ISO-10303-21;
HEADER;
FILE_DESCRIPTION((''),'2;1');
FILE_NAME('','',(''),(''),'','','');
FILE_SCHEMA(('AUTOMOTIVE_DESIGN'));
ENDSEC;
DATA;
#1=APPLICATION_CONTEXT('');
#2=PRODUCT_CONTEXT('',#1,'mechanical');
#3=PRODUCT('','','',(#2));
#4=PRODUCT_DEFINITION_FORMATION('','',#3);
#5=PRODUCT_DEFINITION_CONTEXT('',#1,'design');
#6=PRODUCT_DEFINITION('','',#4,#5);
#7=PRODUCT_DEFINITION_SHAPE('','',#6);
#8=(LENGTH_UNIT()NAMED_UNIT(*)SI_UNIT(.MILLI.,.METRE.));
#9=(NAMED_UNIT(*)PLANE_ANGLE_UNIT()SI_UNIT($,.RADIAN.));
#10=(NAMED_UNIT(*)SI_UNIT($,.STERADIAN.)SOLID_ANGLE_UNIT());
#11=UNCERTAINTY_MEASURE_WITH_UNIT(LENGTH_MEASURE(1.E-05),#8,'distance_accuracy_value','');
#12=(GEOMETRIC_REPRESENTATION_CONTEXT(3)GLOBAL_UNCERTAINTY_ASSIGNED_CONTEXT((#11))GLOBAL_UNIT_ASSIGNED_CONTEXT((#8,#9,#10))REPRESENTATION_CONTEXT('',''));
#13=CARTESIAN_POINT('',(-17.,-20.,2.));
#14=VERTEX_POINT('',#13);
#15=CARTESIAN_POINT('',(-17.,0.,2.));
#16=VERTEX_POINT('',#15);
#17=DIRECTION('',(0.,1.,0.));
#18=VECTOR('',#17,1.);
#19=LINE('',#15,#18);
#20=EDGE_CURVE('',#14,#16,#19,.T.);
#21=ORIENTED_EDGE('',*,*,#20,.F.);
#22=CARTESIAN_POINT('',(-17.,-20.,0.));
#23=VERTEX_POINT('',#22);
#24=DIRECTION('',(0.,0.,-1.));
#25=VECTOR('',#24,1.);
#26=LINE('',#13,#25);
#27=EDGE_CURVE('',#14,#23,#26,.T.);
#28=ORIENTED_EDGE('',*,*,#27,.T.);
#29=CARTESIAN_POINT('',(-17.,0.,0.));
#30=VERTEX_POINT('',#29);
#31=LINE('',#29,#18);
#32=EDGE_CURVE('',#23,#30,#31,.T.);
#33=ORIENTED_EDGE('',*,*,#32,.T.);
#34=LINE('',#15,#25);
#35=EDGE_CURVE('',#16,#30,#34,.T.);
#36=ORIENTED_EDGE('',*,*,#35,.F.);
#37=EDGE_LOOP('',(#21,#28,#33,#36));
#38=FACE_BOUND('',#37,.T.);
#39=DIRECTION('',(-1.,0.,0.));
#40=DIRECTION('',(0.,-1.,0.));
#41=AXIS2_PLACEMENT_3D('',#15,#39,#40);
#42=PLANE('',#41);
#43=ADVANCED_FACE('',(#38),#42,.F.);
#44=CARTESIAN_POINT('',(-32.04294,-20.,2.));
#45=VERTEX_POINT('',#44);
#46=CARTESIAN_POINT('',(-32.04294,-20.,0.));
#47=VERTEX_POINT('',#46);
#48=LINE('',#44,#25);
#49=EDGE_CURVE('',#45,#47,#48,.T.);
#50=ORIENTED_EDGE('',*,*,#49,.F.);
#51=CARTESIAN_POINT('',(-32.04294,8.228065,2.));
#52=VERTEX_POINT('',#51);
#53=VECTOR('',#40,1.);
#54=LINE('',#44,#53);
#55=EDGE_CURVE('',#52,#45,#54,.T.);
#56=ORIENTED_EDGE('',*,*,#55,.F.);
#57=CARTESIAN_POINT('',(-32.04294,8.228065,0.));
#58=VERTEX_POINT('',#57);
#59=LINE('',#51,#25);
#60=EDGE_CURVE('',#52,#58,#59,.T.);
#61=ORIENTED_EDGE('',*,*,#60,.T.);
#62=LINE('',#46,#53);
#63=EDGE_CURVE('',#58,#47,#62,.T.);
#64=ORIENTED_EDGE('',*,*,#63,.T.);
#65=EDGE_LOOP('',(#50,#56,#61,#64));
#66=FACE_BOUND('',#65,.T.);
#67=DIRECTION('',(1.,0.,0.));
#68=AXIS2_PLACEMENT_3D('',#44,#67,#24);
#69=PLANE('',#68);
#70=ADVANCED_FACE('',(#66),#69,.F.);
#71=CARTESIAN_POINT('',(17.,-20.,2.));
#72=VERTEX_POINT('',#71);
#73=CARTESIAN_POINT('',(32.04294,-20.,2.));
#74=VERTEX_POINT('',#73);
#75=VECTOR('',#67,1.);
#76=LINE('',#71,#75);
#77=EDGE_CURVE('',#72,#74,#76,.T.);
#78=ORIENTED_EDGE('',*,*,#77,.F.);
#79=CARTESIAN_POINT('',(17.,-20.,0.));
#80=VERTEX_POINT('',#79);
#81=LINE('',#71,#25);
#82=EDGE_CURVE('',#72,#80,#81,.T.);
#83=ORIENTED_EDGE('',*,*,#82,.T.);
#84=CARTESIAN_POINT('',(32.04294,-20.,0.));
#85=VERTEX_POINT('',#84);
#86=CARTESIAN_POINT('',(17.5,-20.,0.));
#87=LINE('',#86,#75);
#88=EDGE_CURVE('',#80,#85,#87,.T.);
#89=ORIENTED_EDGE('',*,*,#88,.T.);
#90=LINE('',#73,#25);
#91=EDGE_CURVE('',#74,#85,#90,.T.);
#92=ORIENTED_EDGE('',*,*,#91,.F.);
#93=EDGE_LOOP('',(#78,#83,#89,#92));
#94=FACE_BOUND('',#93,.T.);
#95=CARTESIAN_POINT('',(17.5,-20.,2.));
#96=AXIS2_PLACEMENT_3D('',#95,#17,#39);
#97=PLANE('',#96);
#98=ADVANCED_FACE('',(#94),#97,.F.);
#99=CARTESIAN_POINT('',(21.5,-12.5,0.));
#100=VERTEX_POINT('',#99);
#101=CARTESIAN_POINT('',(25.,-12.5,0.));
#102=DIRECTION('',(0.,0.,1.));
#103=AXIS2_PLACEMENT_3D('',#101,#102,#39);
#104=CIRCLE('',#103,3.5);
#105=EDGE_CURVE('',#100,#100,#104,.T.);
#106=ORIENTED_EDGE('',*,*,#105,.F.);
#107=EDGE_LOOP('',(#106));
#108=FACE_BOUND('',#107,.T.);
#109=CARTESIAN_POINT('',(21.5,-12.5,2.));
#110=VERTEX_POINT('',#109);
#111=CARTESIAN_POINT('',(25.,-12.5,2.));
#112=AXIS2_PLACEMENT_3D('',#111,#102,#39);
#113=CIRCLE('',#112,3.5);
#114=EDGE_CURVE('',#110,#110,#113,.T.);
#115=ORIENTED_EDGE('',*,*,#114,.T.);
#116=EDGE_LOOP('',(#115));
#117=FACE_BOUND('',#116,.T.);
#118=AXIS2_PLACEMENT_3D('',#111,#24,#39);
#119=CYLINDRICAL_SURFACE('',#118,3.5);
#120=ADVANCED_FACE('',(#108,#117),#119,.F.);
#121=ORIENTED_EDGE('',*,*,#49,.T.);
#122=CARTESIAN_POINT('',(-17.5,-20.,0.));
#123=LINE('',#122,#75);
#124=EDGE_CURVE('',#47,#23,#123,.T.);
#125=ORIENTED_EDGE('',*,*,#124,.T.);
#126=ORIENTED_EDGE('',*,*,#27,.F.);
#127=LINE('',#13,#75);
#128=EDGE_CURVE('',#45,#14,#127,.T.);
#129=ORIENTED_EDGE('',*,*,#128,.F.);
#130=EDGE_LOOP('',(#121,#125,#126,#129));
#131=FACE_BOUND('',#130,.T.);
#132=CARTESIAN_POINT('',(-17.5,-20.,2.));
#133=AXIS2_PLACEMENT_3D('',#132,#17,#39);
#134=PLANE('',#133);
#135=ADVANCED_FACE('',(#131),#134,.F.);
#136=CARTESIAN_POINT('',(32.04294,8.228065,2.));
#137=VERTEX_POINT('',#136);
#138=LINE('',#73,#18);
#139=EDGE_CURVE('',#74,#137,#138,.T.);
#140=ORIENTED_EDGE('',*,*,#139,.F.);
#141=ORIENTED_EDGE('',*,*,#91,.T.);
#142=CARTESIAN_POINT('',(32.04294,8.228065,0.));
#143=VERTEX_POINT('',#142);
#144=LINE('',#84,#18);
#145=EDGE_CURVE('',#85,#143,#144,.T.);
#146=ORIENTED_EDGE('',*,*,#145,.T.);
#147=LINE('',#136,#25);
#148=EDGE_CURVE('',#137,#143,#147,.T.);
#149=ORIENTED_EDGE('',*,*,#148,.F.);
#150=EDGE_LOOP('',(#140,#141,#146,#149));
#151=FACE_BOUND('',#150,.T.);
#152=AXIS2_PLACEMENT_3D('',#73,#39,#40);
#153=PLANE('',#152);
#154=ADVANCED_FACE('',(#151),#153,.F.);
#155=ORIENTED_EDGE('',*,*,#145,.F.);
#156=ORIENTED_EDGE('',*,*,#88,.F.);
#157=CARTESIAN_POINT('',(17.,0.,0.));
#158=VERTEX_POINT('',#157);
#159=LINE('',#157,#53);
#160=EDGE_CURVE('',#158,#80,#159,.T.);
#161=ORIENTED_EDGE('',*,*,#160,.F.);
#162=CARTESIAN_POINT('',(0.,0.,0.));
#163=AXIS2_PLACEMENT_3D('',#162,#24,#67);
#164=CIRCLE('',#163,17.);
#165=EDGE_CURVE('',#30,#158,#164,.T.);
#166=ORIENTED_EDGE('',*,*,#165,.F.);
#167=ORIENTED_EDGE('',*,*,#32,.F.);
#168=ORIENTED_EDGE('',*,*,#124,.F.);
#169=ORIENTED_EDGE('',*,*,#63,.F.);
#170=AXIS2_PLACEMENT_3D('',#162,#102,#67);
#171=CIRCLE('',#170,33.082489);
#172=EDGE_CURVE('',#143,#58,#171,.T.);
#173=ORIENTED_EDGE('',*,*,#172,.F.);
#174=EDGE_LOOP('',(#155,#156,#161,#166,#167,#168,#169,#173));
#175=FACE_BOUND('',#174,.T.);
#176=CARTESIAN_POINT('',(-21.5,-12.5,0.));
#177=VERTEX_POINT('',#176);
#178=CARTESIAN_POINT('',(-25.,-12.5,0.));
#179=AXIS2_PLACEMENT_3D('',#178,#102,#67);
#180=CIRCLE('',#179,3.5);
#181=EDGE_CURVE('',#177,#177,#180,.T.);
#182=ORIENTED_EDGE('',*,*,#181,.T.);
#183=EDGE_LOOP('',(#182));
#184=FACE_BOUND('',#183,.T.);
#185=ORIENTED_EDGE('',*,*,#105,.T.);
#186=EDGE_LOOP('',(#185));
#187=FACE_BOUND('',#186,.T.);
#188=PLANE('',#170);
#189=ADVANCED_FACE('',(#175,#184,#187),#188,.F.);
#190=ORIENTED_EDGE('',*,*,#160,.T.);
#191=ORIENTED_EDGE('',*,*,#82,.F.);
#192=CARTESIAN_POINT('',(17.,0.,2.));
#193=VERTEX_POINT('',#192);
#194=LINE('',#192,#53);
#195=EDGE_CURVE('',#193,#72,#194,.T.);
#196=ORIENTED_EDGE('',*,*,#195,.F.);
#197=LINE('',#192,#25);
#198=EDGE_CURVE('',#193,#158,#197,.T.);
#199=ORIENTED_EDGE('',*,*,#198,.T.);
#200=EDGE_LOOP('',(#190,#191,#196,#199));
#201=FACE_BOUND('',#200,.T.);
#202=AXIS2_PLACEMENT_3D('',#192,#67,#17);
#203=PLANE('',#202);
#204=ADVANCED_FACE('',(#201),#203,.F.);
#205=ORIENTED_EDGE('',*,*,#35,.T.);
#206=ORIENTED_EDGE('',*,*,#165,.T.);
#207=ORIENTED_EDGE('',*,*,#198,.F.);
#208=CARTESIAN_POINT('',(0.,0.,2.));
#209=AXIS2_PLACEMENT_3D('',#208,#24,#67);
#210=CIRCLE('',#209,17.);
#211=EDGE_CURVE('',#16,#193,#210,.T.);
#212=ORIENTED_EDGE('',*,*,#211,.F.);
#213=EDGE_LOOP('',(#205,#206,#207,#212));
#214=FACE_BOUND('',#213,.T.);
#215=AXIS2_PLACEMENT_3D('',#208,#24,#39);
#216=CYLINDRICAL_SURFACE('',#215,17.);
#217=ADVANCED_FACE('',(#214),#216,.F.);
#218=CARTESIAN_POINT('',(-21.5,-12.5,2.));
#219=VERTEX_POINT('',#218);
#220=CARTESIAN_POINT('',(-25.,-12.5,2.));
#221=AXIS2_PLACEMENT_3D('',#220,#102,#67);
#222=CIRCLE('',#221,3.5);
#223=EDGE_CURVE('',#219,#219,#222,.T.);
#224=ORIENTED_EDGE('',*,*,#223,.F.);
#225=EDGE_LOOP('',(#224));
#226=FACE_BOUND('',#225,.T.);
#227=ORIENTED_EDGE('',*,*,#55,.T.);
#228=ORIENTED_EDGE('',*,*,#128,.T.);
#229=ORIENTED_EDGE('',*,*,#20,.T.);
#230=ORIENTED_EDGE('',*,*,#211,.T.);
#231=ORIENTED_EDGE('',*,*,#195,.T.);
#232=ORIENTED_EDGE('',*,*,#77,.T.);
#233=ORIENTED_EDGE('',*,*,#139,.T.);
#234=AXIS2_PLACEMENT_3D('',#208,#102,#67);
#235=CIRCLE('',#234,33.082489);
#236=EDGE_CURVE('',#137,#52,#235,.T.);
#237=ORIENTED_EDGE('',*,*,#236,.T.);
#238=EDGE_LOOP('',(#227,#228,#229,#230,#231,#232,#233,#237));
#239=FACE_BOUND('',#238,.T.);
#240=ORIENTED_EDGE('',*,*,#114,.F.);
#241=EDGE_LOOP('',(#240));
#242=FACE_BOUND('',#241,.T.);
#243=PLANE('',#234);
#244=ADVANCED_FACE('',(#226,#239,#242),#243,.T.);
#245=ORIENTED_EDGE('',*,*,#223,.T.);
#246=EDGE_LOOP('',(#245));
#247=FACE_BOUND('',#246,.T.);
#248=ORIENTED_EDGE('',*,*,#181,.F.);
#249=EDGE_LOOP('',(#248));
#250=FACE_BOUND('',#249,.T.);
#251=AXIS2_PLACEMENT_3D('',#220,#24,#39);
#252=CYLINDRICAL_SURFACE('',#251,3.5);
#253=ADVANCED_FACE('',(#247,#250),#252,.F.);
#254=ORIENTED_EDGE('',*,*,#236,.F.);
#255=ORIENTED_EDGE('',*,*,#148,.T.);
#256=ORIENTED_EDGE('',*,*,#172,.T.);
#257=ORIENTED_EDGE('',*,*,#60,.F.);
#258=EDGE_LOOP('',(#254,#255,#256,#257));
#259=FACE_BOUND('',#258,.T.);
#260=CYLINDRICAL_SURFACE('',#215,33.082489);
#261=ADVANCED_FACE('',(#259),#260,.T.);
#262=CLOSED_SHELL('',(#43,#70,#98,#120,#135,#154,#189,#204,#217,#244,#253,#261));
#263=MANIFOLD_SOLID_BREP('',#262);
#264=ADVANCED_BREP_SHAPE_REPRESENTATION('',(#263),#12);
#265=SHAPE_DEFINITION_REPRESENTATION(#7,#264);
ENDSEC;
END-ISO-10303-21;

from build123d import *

# Parameters (mm, degrees)
SKETCH1_R           = 3.5
BOSS_EXTRUDE1_DEPTH = 2


with BuildPart() as part:
    # Sketch1 → Boss-Extrude1 (new body)
    with BuildSketch(Plane.XY):
        with BuildLine():
            Line((-17.5, -20), (-32.04293994, -20))
            Line((-32.04293994, -20), (-32.04293994, 8.228064973))
            ThreePointArc((-32.04293994, 8.228064973), (0, 33.082488619), (32.04293994, 8.228064973))
            Line((32.04293994, 8.228064973), (32.04293994, -20))
            Line((32.04293994, -20), (17.5, -20))
            Line((17.5, -20), (17, -20))
            Line((17, -20), (17, 0))
            ThreePointArc((17, 0), (0, 17), (-17, 0))
            Line((-17, 0), (-17, -20))
            Line((-17, -20), (-17.5, -20))
        make_face()
        with Locations((-25, -12.5)):
            Circle(SKETCH1_R, mode=Mode.SUBTRACT)
        with Locations((25, -12.5)):
            Circle(SKETCH1_R, mode=Mode.SUBTRACT)
    extrude(amount=BOSS_EXTRUDE1_DEPTH)


solid = part.part
